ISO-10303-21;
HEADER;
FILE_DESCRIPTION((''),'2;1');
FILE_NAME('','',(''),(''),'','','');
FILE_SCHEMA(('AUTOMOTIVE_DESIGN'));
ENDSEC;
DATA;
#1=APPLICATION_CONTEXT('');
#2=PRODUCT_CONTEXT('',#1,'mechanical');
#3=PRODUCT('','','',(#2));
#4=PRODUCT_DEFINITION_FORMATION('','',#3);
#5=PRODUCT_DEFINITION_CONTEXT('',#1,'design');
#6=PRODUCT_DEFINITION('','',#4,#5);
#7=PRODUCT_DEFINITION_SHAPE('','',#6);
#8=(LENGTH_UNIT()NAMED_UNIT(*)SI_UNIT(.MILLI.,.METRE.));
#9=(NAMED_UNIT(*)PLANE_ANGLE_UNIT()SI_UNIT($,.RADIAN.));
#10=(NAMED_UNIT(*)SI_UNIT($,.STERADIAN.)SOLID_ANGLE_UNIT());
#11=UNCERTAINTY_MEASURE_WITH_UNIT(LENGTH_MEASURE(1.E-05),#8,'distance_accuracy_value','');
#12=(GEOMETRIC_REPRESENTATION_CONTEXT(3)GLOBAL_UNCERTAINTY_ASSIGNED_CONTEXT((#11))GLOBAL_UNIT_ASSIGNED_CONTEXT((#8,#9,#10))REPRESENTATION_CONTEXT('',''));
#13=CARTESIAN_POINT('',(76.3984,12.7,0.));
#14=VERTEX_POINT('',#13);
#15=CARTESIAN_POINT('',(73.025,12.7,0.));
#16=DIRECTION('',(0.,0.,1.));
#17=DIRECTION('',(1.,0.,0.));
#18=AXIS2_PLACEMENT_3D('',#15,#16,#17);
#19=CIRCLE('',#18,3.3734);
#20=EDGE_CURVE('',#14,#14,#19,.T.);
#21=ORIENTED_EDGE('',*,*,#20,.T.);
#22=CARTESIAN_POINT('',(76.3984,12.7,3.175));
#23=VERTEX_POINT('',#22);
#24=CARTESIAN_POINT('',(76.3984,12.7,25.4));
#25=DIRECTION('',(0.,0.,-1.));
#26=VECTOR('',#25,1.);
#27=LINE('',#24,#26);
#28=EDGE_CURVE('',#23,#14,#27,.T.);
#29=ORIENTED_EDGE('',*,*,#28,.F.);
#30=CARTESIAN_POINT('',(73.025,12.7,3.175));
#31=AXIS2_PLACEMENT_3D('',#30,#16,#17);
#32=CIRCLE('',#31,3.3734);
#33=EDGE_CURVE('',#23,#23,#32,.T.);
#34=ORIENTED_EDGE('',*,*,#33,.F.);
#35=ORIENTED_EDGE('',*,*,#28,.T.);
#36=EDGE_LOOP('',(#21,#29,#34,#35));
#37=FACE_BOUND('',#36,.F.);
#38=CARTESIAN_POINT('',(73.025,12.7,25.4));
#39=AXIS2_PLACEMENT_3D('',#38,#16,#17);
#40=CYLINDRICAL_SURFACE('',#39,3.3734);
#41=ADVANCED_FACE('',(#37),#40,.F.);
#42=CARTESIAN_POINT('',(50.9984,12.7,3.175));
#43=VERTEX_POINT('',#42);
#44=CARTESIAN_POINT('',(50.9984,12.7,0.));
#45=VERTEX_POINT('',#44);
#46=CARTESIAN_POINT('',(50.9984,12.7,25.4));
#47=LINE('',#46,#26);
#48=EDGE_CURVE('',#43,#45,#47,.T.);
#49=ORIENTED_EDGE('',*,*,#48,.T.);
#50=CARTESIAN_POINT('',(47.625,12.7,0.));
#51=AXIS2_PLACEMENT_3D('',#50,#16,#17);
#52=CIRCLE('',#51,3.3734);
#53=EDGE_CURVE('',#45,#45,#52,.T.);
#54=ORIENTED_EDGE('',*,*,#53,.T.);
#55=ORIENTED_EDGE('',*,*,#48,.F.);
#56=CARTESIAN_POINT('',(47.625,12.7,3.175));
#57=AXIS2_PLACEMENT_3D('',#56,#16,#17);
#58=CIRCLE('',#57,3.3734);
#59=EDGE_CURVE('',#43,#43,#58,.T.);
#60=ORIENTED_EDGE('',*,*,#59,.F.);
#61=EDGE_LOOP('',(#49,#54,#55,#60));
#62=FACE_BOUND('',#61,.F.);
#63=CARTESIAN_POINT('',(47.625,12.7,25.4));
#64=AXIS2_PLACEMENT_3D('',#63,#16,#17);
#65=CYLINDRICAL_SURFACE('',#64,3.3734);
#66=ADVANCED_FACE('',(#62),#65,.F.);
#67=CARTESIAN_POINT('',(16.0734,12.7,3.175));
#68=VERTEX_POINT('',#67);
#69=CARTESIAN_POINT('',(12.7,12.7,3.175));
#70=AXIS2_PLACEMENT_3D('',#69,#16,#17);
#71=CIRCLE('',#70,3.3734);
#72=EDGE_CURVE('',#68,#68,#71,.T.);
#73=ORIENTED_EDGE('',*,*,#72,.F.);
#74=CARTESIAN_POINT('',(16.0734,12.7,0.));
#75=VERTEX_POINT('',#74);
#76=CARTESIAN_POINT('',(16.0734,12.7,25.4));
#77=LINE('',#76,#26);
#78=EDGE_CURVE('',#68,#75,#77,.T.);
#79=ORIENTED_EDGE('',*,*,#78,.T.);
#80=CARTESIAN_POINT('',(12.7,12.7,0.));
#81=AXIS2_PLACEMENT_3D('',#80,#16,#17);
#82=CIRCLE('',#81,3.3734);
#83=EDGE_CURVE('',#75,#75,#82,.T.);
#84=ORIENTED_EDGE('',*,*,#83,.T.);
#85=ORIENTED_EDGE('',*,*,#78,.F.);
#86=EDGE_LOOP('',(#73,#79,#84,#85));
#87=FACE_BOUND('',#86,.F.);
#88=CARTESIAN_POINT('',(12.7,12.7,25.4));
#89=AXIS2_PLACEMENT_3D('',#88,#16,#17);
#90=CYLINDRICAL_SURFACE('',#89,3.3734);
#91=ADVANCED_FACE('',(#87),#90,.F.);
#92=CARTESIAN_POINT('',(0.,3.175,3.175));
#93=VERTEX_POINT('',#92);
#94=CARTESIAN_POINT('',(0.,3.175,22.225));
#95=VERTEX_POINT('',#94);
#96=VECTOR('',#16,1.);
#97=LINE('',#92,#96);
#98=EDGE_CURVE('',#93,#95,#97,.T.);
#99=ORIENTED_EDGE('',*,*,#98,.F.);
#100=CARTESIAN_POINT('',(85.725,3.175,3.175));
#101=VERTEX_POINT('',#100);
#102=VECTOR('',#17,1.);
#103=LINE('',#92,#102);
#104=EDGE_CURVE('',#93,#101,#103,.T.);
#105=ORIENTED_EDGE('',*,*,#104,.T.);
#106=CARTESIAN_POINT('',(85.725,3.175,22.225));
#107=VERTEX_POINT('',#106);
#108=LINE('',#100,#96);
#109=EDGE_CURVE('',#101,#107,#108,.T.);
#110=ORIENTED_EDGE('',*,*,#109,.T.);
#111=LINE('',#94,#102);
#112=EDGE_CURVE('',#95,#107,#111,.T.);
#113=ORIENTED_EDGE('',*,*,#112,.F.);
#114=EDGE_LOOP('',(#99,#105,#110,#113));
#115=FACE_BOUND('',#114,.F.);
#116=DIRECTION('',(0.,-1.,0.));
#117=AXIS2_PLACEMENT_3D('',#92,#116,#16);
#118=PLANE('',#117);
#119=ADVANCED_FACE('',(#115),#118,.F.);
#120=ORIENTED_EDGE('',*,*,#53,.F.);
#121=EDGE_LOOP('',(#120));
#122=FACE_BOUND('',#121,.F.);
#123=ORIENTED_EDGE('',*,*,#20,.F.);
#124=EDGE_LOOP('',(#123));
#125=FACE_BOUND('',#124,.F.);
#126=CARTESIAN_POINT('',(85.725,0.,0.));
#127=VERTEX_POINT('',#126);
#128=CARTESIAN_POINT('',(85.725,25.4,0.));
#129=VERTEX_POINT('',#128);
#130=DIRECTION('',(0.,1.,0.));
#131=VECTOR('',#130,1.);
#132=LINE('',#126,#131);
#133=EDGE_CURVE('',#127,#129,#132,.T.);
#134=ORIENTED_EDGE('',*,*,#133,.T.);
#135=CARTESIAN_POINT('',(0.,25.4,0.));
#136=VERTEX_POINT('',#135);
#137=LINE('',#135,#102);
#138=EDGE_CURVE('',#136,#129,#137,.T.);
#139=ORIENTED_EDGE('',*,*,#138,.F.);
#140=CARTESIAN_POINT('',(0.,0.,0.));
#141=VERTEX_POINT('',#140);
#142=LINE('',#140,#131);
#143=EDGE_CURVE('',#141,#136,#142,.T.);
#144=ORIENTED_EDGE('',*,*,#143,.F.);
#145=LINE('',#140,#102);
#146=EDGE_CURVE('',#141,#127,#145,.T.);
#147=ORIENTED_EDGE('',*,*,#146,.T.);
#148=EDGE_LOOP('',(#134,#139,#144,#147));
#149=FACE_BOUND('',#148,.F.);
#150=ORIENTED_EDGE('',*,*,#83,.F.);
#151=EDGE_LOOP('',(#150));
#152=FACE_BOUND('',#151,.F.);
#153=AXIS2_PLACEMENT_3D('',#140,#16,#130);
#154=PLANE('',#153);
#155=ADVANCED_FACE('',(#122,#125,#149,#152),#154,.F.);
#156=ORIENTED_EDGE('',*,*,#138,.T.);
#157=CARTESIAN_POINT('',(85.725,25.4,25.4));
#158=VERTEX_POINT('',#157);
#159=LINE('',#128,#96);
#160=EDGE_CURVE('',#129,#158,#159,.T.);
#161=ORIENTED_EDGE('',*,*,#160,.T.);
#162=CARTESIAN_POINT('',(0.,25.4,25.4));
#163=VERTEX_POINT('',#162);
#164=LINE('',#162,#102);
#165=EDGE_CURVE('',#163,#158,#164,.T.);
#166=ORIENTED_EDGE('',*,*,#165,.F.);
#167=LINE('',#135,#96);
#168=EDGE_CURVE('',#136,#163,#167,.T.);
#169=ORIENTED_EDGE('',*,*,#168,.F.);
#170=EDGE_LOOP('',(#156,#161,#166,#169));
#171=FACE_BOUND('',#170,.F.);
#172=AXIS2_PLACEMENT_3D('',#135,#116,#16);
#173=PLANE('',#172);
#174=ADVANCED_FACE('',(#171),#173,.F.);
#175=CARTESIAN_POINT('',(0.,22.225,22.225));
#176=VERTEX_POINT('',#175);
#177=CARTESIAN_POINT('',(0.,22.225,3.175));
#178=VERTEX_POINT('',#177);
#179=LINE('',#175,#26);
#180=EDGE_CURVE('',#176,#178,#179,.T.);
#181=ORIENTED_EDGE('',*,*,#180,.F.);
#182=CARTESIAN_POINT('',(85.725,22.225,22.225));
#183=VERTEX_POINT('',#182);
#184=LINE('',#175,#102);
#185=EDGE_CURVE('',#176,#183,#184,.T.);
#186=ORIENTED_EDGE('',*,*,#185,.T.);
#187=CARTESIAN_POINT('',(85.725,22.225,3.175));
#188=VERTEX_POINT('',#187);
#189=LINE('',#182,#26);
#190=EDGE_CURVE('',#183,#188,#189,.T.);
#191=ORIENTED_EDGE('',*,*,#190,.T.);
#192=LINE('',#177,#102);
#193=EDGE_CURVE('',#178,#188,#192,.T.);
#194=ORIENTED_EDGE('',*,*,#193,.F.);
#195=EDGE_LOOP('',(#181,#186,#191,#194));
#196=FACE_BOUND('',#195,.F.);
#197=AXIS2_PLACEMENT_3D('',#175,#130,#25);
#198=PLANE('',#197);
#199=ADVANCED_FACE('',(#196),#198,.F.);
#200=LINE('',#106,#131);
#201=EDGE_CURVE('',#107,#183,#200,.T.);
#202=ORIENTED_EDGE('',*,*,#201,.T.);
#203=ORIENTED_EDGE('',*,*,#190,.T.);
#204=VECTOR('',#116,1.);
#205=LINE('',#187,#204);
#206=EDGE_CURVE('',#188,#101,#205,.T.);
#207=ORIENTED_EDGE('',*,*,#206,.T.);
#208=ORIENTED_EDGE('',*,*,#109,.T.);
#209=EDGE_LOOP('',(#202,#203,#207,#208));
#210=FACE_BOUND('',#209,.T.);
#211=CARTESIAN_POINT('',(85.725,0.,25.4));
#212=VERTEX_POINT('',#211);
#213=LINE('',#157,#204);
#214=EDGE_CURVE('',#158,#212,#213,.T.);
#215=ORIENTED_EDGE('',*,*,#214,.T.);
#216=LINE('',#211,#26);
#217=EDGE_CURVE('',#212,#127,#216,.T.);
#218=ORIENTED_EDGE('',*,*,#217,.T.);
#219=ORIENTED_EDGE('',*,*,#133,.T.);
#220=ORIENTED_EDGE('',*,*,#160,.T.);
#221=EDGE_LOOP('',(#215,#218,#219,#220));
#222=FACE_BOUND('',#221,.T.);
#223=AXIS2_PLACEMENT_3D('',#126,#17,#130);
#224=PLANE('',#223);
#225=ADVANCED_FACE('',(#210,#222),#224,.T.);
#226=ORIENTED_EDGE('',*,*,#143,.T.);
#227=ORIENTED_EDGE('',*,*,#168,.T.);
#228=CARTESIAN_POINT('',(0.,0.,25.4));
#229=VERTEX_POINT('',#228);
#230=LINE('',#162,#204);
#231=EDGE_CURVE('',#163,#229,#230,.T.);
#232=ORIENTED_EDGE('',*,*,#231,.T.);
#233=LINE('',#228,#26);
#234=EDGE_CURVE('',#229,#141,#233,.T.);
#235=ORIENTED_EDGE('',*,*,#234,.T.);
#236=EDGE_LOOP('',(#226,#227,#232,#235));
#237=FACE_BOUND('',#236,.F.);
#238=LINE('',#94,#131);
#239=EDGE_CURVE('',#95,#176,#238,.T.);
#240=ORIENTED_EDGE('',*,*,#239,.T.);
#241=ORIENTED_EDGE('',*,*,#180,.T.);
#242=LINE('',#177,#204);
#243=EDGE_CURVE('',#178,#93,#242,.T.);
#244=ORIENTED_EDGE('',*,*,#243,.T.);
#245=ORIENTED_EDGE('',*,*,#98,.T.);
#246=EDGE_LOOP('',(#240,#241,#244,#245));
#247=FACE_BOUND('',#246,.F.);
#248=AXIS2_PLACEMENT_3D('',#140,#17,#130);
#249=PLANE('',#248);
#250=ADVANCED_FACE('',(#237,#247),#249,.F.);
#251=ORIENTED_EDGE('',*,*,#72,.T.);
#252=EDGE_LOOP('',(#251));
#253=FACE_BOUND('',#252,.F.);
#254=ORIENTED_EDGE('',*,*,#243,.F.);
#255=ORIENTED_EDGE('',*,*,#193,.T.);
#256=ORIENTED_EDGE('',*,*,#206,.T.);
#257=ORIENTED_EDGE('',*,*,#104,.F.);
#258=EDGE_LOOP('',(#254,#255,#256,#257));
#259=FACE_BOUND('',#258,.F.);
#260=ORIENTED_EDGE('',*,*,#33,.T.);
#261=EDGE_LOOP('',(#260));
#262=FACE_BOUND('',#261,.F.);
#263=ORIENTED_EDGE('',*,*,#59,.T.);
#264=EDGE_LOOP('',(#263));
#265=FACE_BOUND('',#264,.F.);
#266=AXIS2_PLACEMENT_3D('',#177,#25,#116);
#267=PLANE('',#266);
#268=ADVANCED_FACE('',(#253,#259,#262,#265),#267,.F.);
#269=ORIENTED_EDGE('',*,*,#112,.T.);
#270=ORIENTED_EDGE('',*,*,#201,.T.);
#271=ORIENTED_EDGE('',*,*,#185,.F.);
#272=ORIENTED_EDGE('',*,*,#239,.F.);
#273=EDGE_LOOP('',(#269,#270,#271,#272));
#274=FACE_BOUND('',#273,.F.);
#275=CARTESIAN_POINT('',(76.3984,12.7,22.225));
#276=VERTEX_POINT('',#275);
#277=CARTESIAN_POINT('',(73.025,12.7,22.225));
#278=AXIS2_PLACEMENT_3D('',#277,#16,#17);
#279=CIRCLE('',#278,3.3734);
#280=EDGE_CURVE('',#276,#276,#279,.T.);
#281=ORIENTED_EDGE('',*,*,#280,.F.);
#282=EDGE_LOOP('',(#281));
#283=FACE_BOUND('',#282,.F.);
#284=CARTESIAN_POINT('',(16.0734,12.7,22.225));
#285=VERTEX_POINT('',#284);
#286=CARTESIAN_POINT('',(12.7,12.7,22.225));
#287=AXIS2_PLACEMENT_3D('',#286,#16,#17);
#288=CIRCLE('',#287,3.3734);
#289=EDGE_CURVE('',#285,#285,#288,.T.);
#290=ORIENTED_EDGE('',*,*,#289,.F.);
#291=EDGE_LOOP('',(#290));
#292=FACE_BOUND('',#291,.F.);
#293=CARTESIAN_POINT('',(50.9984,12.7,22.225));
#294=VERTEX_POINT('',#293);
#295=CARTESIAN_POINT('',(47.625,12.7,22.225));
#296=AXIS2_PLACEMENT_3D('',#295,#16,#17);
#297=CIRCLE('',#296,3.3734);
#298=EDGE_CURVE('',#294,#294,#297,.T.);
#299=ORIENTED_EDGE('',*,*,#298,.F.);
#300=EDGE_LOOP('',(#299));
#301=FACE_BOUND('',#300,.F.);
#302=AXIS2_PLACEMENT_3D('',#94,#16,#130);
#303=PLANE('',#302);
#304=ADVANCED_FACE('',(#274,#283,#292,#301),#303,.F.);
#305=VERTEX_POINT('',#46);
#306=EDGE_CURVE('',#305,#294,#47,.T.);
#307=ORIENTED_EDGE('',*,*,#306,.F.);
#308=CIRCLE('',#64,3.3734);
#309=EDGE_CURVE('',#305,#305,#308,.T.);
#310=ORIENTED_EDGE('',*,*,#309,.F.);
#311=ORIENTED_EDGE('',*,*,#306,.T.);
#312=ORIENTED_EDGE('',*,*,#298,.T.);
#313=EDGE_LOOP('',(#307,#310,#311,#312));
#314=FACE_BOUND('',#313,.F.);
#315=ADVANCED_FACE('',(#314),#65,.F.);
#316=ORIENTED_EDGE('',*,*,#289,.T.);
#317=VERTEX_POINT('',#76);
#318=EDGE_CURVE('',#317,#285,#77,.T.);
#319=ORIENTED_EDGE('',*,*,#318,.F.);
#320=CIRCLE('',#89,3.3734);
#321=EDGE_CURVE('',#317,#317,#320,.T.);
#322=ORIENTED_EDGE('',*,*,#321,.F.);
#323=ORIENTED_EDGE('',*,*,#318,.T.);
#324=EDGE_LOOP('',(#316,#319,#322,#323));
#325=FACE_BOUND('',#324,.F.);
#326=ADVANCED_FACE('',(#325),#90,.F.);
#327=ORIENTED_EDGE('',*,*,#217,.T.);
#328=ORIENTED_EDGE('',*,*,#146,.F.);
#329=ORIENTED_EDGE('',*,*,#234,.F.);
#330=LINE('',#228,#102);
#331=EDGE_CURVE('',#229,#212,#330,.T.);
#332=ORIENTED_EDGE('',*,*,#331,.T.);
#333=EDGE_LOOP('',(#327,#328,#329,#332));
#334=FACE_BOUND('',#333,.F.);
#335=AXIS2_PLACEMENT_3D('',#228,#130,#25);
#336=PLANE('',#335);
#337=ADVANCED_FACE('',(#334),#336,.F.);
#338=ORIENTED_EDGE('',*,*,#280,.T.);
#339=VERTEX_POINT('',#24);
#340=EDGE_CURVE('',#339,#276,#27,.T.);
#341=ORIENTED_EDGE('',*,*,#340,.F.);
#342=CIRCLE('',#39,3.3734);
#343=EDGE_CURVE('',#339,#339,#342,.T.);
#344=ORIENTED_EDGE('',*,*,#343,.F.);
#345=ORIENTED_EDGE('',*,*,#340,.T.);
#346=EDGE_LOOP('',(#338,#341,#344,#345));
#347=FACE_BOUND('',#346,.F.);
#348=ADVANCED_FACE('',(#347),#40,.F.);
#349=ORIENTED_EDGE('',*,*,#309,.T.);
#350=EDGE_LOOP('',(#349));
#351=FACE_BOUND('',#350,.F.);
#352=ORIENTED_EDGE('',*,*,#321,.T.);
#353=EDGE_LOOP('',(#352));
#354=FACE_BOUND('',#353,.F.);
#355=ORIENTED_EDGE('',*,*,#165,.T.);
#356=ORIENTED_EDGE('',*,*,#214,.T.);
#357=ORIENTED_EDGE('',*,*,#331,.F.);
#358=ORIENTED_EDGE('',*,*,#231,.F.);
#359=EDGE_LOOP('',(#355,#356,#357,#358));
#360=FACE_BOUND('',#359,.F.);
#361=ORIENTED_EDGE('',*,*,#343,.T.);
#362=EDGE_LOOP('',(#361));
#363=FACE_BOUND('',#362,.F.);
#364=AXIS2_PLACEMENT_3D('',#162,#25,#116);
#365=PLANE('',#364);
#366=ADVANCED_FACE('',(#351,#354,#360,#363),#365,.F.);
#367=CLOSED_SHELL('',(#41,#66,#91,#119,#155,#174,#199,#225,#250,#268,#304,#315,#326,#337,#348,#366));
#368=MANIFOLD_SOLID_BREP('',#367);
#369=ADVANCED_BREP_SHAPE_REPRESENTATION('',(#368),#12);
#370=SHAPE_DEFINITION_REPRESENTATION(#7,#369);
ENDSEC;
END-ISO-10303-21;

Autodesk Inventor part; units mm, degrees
ref_plane "YZ Plane" through (0, 0, 0) normal (1, 0, 0) x (0, 1, 0)
ref_plane "XZ Plane" through (0, 0, 0) normal (0, 1, 0) x (-1, 0, 0)
ref_plane "XY Plane" through (0, 0, 0) normal (0, 0, 1) x (1, 0, 0)
sketch "Sketch1" plane through (0, 0, 0) normal (1, 0, 0) x (0, 1, 0)
  line L0 (0, 0) -> (25.4, 0)
  line L1 (25.4, 0) -> (25.4, 25.4)
  line L2 (25.4, 25.4) -> (0, 25.4)
  line L3 (0, 25.4) -> (0, 0)
  line L4 (3.175, 22.225) -> (22.225, 22.225)
  line L5 (22.225, 22.225) -> (22.225, 3.175)
  line L6 (22.225, 3.175) -> (3.175, 3.175)
  line L7 (3.175, 3.175) -> (3.175, 22.225)
  dimension "d0" = 25.4
  dimension "d1" = 25.4
  dimension "d2" = 3.175
extrude "Extrusion1" add sketch "Sketch1" along normal blind 85.725
sketch "Sketch2" plane through (0, 0, 25.4) normal (0, 0, 1) x (1, 0, 0)
  circle A0 centre (12.7, 12.7) radius 3.3734
  circle A1 centre (73.025, 12.7) radius 3.3734
  line L0 (85.725, 25.4) -> (85.725, 0) projected
  line L1 (0, 0) -> (85.725, 0) projected
  line L2 (0, 25.4) -> (0, 0) projected
  circle A2 centre (47.625, 12.7) radius 3.3734
  line L3 (0, 25.4) -> (85.725, 25.4) projected
  dimension "d5" = 6.7469
  dimension "d6" = 6.7469
  dimension "d7" = 12.7
  dimension "d8" = 12.7
  dimension "d9" = 12.7
  dimension "d10" = 12.7
  dimension "d13" = 6.7469
  dimension "d15" = 12.7
  dimension "d16" = 25.4
extrude "Extrusion2" cut sketch "Sketch2" against normal blind 25.4 contours A0 | A1 | A2
properties part number "support block 2"
